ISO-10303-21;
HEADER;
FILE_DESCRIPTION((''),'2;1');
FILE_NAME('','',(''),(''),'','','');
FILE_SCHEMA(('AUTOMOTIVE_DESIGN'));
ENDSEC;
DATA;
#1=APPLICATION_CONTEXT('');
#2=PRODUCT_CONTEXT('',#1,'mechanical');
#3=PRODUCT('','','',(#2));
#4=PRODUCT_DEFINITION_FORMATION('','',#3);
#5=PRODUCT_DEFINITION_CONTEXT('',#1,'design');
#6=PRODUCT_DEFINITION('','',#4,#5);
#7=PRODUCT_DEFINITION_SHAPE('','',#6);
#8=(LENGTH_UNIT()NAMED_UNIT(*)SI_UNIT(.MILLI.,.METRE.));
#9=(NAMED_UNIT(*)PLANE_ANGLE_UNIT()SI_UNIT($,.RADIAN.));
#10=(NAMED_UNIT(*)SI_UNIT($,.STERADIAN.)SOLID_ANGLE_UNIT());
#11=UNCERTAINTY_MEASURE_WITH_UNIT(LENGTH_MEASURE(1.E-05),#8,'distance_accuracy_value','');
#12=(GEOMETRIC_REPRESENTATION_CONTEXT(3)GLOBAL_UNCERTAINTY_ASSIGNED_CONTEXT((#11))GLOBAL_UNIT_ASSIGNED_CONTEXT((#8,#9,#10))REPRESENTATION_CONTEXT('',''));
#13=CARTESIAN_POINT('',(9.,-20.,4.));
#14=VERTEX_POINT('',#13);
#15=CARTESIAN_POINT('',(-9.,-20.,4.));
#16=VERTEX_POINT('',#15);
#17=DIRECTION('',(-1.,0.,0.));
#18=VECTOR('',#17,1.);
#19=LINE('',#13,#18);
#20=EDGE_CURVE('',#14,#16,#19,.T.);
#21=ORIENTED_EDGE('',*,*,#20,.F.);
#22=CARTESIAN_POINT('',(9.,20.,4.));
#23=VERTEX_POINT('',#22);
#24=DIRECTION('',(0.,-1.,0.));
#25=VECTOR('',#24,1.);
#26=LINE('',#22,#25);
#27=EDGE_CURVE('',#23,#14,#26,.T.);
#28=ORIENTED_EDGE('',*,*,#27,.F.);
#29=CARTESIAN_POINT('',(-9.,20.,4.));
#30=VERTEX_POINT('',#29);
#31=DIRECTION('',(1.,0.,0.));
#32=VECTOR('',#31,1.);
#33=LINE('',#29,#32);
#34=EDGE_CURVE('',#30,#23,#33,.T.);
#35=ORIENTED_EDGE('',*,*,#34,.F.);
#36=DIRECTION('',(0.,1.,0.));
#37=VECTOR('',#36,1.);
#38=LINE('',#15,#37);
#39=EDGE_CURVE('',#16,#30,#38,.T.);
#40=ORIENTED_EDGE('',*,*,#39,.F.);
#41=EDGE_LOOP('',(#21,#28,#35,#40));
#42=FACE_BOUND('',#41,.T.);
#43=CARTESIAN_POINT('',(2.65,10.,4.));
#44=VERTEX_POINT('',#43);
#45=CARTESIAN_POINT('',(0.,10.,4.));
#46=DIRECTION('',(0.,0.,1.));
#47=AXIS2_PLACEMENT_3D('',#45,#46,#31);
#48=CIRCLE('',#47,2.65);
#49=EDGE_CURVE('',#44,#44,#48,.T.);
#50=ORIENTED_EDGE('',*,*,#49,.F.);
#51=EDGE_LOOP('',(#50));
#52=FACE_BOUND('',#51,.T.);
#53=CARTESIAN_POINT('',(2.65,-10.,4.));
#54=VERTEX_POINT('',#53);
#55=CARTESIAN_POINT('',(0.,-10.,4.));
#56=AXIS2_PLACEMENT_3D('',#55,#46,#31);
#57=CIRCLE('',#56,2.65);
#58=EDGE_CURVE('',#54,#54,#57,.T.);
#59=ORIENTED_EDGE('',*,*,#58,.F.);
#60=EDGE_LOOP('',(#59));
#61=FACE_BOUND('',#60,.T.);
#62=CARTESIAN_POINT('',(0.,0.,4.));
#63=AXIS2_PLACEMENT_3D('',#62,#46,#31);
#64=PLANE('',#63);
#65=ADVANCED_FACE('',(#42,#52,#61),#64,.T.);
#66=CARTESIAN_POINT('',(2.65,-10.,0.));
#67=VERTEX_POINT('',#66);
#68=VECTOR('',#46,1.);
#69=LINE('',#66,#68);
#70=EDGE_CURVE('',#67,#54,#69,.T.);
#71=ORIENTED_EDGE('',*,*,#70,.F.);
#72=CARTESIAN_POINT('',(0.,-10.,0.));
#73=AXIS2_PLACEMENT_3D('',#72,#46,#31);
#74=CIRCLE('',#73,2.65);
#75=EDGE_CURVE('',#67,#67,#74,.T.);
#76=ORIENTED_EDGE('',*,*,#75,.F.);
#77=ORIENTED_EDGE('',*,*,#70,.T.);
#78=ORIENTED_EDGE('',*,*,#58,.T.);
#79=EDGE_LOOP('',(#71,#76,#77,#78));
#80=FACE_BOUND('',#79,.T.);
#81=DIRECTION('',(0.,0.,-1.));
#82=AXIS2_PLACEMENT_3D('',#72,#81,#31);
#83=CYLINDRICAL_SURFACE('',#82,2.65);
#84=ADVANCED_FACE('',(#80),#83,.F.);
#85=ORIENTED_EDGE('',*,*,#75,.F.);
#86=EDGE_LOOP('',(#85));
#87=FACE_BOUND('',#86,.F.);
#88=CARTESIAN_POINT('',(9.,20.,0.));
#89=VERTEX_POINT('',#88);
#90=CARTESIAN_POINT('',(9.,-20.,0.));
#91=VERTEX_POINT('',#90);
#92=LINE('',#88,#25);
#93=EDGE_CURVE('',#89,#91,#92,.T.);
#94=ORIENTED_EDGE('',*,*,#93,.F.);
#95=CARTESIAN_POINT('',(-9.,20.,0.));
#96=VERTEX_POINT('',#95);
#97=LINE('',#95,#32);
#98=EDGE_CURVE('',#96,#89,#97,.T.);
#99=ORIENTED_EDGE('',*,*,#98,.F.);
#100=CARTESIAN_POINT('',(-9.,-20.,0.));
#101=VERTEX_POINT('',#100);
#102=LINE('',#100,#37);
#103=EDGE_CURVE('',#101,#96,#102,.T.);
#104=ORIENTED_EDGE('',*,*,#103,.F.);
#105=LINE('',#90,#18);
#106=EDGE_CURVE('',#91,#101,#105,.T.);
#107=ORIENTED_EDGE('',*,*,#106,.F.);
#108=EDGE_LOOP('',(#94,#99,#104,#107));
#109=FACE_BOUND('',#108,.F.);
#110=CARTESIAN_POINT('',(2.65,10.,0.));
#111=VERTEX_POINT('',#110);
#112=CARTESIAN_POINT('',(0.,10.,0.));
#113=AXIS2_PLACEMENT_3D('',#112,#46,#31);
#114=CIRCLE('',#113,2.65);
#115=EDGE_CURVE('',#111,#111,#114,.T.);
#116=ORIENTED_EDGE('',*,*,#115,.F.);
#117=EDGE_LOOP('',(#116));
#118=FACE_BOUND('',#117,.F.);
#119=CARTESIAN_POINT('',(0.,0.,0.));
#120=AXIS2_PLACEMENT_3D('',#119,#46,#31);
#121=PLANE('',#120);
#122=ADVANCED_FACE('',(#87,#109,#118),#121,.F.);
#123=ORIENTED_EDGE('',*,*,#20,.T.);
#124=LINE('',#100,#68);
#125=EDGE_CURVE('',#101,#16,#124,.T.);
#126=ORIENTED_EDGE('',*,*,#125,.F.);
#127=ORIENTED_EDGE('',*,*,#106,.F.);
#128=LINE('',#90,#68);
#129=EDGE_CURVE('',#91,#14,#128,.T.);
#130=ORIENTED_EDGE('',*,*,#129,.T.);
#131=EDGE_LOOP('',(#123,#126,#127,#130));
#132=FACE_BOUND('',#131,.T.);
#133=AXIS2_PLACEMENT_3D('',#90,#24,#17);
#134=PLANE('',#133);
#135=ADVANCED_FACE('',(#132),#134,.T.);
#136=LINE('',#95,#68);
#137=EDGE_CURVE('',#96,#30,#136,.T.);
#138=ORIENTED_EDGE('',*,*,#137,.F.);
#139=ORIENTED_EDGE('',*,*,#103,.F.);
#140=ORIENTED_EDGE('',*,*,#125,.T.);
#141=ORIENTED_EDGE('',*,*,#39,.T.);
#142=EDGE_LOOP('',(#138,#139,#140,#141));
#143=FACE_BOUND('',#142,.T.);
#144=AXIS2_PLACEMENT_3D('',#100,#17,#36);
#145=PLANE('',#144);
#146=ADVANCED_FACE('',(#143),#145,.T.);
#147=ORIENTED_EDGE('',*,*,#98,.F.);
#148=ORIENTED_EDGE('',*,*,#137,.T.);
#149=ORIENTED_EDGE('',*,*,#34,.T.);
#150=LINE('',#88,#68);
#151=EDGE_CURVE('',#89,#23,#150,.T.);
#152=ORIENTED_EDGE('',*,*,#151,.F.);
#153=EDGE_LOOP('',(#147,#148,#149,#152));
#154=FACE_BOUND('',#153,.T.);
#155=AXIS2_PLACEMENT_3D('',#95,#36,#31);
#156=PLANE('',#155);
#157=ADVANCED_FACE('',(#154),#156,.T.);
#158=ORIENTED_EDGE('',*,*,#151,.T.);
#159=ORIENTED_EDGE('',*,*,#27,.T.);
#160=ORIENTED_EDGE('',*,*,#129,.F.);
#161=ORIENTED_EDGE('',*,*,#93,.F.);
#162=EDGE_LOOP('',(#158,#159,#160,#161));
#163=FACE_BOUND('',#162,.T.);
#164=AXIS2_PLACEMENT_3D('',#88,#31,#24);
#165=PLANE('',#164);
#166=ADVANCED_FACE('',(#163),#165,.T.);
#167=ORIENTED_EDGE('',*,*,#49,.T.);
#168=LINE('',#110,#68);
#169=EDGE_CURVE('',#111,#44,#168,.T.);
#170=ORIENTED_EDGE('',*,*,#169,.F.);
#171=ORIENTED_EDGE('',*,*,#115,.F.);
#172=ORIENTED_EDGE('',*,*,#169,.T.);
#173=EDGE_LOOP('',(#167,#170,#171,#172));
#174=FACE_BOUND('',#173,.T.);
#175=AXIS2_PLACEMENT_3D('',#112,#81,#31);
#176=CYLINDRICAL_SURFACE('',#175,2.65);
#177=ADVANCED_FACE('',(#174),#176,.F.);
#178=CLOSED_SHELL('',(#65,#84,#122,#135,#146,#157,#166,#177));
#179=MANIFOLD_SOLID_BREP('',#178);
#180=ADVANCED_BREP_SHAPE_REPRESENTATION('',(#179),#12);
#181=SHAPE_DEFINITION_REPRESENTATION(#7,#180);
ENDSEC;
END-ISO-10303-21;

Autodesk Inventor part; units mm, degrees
ref_plane "YZ Plane" through (0, 0, 0) normal (1, 0, 0) x (0, 1, 0)
ref_plane "XZ Plane" through (0, 0, 0) normal (0, 1, 0) x (-1, 0, 0)
ref_plane "XY Plane" through (0, 0, 0) normal (0, 0, 1) x (1, 0, 0)
sketch "Sketch1" plane through (0, 0, 0) normal (0, 0, 1) x (1, 0, 0)
  line L0 (-9, 20) -> (9, 20)
  line L1 (9, 20) -> (9, -20)
  line L2 (9, -20) -> (-9, -20)
  line L3 (-9, -20) -> (-9, 20)
  line L4 (-9, 20) -> (9, -20) construction
  line L5 (9, 20) -> (-9, -20) construction
  circle A0 centre (0, 10) radius 2.65
  line L6 (-9, 0) -> (9, 0) construction
  circle A1 centre (0, -10) radius 2.65
  point P0 (0, 0)
  dimension "d0" = 18
  dimension "d2" = 40
  dimension "d3" = 5.3
  dimension "d4" = 10
  dimension "d5" = 9
extrude "Extrusion1" add sketch "Sketch1" along normal blind 4
properties part number "2 Hole Joining Strip Plate"
